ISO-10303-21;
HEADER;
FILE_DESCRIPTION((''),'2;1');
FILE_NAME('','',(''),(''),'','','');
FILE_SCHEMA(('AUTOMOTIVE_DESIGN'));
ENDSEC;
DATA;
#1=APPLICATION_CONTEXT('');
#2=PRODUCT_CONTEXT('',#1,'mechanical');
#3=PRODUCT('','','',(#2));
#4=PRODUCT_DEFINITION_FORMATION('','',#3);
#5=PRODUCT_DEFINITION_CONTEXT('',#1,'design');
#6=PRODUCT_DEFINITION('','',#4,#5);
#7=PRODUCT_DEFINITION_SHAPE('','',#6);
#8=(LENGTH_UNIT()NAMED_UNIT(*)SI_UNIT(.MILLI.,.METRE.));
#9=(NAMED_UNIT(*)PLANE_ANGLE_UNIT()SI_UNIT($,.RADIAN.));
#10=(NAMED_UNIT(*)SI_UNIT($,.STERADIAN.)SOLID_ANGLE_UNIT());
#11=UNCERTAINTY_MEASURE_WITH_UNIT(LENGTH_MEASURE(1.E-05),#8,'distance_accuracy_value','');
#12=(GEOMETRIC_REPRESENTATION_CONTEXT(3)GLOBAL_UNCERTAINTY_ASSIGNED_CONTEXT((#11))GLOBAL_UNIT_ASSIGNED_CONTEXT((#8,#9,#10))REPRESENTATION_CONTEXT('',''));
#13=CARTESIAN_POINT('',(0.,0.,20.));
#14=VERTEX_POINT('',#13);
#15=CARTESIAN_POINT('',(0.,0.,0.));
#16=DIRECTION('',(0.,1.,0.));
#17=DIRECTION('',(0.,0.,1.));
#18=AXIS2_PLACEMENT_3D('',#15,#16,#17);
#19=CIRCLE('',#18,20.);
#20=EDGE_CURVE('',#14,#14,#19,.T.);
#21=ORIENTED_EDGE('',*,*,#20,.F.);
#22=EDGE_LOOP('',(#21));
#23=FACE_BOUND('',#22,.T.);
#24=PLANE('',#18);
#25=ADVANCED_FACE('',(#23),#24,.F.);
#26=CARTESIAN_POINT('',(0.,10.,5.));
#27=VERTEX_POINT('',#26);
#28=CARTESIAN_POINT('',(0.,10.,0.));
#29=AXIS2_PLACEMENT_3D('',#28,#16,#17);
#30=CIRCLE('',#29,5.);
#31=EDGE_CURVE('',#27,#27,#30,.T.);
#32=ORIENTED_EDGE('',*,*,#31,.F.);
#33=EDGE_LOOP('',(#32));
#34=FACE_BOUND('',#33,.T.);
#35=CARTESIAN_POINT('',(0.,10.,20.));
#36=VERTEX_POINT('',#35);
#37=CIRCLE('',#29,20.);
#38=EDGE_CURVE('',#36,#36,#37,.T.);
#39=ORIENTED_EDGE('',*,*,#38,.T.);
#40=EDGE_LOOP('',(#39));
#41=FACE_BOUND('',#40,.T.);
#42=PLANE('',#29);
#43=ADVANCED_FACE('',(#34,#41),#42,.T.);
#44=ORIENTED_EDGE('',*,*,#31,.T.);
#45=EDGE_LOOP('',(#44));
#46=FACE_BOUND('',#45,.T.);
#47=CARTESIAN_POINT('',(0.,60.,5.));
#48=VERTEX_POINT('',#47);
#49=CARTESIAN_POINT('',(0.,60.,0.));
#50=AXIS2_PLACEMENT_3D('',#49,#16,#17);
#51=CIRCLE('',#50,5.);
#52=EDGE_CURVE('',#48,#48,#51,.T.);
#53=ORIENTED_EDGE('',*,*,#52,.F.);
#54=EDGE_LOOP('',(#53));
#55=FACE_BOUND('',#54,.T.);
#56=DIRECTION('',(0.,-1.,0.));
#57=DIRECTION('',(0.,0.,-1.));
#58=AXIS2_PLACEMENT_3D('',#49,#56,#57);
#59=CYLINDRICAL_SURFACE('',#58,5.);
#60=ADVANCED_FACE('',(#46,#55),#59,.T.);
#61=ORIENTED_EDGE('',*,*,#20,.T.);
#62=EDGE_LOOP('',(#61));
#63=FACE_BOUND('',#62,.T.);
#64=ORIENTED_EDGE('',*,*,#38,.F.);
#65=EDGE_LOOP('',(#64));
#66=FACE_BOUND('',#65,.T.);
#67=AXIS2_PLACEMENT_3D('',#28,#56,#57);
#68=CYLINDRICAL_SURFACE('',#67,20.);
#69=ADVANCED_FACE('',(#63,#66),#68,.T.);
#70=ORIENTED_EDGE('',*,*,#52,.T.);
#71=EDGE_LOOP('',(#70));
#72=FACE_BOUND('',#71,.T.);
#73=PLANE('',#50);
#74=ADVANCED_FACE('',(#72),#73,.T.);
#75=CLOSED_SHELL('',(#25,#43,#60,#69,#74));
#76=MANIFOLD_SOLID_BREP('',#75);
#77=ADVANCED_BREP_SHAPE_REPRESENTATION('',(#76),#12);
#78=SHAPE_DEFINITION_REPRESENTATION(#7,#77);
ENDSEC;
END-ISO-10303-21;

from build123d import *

# Parameters (mm, degrees)
SKIZZE1_R                       = 20
AUFSATZ_LINEAR_AUSTRAGEN1_DEPTH = 10
SKIZZE2_R                       = 5
AUFSATZ_LINEAR_AUSTRAGEN2_DEPTH = 50


with BuildPart() as part:
    # Skizze1 → Aufsatz-Linear austragen1 (new body)
    with BuildSketch(Plane(origin=(0, 0, 0), x_dir=(1, 0, 0), z_dir=(0, 1, 0))):
        with Locations(Location((0, 0, 0), (0, 0, 270))):
            Circle(SKIZZE1_R)
    extrude(amount=AUFSATZ_LINEAR_AUSTRAGEN1_DEPTH)

    # Skizze2 → Aufsatz-Linear austragen2 (add)
    with BuildSketch(Plane(origin=(0, 10, 0), x_dir=(1, 0, 0), z_dir=(0, 1, 0))):
        with Locations(Location((0, 0, 0), (0, 0, 270))):
            Circle(SKIZZE2_R)
    extrude(amount=AUFSATZ_LINEAR_AUSTRAGEN2_DEPTH)


solid = part.part
